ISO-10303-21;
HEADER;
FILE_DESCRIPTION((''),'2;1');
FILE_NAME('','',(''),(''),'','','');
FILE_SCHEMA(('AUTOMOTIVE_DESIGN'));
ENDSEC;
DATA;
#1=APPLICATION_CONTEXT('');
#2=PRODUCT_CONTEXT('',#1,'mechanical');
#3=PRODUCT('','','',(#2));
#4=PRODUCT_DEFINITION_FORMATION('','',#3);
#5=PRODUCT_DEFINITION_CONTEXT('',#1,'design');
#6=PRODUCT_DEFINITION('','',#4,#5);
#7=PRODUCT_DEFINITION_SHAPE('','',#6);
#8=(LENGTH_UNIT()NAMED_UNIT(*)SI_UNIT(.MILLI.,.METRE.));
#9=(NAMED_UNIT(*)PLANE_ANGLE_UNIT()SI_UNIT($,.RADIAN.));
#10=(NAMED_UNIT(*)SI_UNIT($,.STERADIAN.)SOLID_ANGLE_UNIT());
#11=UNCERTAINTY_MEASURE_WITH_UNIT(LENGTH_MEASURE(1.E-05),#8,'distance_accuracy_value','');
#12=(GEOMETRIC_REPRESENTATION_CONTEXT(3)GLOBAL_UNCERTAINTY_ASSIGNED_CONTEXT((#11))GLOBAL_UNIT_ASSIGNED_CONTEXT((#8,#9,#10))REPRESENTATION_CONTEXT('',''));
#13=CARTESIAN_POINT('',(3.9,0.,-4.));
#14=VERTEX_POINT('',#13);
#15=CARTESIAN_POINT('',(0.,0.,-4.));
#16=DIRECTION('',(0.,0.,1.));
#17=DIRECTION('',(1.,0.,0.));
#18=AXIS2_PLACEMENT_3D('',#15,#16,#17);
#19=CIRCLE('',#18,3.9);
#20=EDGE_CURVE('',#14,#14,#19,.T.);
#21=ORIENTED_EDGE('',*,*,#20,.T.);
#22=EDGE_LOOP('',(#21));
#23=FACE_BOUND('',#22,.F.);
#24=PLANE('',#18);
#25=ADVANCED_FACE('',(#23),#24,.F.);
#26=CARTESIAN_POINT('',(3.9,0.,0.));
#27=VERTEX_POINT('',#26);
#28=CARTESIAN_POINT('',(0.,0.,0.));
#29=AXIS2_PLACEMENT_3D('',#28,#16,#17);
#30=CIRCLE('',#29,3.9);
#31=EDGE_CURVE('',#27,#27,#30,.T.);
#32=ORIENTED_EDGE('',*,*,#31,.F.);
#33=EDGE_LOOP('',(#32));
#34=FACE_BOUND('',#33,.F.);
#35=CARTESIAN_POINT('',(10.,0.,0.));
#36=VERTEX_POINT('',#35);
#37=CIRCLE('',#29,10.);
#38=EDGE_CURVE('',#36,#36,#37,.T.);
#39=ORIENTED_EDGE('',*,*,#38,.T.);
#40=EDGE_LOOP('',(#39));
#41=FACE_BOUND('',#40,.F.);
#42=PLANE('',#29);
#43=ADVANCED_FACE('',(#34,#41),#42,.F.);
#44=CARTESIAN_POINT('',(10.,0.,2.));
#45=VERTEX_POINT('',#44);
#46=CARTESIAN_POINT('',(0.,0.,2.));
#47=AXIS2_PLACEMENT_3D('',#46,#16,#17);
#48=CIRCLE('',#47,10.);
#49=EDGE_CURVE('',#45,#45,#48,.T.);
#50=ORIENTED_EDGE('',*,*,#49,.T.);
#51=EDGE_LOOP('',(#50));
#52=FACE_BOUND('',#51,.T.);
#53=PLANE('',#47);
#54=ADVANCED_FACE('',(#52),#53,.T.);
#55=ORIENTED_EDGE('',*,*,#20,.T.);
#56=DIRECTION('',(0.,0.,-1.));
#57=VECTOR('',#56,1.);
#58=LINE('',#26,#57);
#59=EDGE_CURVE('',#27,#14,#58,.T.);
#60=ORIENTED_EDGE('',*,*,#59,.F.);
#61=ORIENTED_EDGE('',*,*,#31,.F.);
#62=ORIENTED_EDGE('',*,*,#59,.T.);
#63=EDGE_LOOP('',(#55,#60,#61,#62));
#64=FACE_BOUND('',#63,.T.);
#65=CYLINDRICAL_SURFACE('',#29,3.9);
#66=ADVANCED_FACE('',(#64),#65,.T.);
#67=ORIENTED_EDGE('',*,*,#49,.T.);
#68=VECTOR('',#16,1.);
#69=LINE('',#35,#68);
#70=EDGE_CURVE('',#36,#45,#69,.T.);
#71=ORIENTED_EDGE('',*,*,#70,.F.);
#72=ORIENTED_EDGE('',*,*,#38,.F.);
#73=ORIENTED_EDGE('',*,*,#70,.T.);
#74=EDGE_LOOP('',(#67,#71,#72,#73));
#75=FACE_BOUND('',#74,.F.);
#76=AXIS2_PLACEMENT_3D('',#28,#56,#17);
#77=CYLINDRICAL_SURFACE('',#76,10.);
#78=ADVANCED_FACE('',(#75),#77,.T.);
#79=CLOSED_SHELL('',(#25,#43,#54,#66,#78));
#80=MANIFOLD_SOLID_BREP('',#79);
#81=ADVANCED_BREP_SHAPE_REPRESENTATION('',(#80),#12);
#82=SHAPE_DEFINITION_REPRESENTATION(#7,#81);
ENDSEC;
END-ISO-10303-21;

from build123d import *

# Parameters (mm, degrees)
F0_R     = 10
F2_DEPTH = 2
F1_R     = 3.9
F3_DEPTH = 4


with BuildPart() as f2:
    # F0 (on Top) → F2 (new body)
    with BuildSketch(Plane.XY):
        Circle(F0_R)
    extrude(amount=F2_DEPTH)

    # F1 (on face) → F3 (join)
    with BuildSketch(Plane.XY):
        Circle(F1_R)
    extrude(amount=-F3_DEPTH)


solid = f2.part
